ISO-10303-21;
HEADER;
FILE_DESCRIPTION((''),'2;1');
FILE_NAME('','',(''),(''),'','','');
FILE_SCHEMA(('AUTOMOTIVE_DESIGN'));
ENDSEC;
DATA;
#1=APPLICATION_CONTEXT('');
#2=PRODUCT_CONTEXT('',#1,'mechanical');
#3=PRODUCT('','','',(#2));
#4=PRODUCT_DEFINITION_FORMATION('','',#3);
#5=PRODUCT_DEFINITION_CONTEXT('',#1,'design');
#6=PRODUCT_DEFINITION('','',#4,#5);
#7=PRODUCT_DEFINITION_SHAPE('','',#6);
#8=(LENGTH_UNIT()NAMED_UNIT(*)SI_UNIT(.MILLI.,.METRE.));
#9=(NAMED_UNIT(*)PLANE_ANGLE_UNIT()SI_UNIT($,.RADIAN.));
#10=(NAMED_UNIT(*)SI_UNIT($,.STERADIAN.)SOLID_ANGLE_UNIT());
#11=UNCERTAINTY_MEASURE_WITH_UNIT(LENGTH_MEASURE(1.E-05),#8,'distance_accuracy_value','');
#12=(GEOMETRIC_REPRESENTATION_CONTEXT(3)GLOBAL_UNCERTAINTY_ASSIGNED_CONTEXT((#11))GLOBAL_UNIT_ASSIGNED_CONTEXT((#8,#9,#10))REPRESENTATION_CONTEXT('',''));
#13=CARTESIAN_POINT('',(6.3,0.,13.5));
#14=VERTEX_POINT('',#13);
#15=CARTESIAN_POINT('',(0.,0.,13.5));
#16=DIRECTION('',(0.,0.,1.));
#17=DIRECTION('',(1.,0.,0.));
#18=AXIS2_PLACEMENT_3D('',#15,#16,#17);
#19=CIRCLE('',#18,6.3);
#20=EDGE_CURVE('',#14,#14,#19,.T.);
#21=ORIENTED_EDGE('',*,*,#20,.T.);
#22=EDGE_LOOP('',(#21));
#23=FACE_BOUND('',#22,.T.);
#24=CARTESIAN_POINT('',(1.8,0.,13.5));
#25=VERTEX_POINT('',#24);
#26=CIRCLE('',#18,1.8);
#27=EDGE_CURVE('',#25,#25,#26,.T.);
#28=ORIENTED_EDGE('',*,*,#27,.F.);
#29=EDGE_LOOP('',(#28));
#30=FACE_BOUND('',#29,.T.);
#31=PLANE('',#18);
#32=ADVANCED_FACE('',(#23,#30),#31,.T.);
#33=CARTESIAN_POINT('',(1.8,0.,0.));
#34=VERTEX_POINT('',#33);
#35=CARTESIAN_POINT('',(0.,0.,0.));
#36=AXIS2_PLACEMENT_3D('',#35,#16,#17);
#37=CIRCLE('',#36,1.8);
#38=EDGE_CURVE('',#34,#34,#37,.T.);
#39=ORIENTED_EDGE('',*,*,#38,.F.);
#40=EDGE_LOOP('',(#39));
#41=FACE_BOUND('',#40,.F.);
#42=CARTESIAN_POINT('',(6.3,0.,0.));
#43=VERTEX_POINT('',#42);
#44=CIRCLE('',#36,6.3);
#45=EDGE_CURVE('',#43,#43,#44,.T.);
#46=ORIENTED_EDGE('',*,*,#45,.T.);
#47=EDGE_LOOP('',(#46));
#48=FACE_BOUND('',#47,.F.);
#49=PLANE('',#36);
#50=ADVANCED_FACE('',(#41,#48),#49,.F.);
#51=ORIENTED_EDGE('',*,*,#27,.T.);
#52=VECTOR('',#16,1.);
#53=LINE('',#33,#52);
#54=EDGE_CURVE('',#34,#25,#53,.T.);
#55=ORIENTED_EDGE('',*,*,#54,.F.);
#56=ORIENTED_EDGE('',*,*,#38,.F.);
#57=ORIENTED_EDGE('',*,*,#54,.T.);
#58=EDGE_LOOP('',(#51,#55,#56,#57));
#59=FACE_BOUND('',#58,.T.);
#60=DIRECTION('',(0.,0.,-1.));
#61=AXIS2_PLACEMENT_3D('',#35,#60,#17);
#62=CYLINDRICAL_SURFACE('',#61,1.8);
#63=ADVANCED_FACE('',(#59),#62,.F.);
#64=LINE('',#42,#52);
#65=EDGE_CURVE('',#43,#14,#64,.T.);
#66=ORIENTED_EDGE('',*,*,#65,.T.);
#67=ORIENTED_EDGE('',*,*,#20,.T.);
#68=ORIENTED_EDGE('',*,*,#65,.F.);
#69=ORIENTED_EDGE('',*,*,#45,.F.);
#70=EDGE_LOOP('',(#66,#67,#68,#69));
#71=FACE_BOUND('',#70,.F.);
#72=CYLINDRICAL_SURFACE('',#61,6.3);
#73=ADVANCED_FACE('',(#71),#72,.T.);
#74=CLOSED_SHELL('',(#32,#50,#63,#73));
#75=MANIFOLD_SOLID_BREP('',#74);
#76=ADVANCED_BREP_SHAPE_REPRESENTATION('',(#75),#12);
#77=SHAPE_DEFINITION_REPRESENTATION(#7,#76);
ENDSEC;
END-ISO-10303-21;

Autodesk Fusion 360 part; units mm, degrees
sketch "Sketch1" plane through (0, 0, 0) normal (0, 0, 1) x (1, 0, 0)
  circle A0 centre (0, 0) radius 6.3
  circle A1 centre (0, 0) radius 1.8
  dimension "d1" = 12.6
  dimension "d2" = 3.6
extrude "Extrude1" add sketch "Sketch1" along normal blind 13.5
